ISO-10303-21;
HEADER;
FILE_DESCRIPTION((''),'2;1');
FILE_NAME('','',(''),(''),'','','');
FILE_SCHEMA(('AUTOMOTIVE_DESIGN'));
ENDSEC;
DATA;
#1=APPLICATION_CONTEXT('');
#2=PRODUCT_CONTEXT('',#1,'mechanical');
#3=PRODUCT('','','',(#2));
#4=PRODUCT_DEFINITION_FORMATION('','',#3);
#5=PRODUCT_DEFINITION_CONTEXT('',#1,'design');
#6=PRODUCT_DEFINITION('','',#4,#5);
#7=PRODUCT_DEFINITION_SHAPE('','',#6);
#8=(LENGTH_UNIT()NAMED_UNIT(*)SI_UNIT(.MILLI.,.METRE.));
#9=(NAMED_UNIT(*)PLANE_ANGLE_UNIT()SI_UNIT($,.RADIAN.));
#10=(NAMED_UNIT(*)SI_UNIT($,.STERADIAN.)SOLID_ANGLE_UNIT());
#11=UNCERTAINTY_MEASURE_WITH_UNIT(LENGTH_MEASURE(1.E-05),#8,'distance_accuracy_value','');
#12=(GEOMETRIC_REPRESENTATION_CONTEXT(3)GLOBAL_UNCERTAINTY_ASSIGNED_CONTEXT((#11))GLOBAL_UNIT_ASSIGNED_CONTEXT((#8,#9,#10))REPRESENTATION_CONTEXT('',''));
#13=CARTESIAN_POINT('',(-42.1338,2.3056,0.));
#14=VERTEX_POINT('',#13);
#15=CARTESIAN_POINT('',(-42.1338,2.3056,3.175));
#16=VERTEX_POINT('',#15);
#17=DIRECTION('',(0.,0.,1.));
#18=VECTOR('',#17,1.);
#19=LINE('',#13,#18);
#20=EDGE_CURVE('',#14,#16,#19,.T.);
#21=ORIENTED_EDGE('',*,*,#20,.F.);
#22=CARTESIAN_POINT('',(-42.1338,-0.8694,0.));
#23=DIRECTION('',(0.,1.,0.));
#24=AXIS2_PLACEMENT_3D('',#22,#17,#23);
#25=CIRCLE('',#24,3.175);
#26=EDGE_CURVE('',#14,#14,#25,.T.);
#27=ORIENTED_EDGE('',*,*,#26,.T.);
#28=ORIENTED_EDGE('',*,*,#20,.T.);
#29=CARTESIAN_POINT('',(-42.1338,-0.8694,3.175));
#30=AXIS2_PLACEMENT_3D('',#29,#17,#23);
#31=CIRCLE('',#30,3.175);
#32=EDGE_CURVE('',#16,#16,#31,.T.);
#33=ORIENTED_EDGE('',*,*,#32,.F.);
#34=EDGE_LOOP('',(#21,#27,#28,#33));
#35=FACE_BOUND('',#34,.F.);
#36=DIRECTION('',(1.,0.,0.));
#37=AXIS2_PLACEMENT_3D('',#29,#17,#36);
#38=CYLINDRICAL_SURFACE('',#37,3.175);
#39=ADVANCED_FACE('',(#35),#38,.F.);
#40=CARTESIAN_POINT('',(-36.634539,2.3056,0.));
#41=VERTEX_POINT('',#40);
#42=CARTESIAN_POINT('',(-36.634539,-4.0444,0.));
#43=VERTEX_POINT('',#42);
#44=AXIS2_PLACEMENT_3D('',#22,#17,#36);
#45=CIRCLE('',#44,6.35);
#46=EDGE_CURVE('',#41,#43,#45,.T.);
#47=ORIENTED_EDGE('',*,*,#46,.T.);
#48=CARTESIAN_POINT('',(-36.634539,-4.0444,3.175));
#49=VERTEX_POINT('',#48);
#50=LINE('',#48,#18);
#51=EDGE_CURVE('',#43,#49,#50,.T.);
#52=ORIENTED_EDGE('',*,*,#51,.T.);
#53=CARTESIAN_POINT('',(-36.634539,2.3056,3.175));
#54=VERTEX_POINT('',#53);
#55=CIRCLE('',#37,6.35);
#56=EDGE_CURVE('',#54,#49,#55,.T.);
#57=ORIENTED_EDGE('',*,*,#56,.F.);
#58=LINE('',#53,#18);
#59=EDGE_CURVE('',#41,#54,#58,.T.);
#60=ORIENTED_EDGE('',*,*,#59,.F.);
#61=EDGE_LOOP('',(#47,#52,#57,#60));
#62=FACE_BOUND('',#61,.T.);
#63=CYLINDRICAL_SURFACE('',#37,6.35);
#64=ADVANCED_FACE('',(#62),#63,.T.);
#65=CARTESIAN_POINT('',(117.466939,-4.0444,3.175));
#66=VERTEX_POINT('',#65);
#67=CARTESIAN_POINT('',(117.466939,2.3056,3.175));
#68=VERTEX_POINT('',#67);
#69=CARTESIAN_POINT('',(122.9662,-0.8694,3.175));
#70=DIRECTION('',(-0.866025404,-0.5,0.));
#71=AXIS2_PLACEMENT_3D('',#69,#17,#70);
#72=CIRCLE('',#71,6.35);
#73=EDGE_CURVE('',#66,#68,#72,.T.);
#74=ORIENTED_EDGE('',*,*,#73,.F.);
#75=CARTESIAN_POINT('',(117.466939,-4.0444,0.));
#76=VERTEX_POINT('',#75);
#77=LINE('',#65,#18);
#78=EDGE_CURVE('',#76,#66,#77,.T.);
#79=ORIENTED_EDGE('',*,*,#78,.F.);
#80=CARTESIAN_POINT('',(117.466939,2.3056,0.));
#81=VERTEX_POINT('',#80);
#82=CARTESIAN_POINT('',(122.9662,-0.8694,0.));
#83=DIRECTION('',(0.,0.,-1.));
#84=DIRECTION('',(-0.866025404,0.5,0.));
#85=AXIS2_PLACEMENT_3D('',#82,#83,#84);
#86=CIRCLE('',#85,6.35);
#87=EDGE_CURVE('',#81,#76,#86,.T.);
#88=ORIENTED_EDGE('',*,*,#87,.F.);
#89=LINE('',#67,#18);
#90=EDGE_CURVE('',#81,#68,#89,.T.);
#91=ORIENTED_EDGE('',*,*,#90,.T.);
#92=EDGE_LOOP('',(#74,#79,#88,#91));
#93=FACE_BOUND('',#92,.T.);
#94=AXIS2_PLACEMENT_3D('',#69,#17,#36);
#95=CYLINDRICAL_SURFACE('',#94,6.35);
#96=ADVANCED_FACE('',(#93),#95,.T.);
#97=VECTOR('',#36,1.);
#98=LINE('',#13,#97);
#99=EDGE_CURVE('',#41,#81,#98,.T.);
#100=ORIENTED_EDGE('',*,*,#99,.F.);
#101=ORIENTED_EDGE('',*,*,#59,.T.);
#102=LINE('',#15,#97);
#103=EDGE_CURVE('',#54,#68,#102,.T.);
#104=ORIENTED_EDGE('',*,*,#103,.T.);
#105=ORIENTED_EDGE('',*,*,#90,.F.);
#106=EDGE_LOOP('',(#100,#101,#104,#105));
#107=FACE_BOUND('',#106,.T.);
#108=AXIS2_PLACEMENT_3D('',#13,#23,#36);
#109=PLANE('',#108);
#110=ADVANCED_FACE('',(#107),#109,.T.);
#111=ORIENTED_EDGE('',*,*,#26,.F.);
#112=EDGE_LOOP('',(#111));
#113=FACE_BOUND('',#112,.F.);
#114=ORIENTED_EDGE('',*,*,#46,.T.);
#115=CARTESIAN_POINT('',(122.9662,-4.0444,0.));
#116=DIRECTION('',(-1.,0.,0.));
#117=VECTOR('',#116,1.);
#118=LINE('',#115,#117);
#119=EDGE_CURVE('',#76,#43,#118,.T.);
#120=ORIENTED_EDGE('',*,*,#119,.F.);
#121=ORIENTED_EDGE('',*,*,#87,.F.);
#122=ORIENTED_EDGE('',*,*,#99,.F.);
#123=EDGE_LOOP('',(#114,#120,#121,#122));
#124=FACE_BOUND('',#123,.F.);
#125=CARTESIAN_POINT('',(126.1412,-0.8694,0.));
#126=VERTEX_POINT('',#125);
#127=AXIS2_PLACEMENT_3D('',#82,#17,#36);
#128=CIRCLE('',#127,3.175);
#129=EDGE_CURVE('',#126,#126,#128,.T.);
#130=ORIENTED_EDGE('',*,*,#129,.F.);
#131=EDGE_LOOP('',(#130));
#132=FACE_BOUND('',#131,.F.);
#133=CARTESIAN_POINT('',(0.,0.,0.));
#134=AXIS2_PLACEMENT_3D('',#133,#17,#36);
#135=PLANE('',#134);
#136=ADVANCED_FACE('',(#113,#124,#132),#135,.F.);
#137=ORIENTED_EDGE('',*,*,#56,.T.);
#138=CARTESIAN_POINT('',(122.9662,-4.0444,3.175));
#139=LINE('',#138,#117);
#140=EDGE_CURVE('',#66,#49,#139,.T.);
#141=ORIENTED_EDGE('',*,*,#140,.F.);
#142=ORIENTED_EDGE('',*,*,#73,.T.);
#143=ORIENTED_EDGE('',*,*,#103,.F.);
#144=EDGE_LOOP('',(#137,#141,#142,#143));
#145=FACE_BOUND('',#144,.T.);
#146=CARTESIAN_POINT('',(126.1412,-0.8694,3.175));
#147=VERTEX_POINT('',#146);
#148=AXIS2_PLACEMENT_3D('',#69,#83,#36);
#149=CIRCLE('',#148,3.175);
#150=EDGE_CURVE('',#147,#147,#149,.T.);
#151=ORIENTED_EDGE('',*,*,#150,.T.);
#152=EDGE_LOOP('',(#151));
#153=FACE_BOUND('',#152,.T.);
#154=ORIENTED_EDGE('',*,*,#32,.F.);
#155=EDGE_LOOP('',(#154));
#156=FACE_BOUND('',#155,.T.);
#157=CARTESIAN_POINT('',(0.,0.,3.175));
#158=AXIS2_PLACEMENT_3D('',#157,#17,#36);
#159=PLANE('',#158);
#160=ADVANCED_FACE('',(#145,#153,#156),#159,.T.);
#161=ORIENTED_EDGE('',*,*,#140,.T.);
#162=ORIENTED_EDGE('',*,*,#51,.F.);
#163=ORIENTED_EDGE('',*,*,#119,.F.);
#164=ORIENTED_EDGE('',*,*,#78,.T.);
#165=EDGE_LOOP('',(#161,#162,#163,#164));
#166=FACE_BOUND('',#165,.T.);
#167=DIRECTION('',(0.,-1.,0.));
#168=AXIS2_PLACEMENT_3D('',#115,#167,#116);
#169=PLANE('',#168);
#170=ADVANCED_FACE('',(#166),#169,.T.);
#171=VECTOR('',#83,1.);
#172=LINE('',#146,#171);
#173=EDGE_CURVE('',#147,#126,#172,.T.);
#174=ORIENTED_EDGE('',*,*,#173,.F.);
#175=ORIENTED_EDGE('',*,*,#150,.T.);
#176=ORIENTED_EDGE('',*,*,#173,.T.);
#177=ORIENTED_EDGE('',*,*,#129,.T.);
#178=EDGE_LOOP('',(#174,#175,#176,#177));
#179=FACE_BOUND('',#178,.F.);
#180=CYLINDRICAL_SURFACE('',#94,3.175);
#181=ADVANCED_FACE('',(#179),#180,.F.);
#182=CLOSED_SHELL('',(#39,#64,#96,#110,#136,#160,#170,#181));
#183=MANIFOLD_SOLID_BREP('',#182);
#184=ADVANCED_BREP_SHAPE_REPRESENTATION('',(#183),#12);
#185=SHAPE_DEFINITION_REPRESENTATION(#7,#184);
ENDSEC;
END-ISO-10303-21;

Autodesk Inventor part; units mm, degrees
ref_plane "YZ Plane" through (0, 0, 0) normal (1, 0, 0) x (0, 1, 0)
ref_plane "XZ Plane" through (0, 0, 0) normal (0, 1, 0) x (-1, 0, 0)
ref_plane "XY Plane" through (0, 0, 0) normal (0, 0, 1) x (1, 0, 0)
sketch "Sketch1" plane through (0, 0, 0) normal (0, 0, 1) x (1, 0, 0)
  line L0 (-42.1338, 2.3056) -> (122.9662, 2.3056)
  line L1 (122.9662, 2.3056) -> (122.9662, -4.0444)
  line L2 (122.9662, -4.0444) -> (-42.1338, -4.0444)
  line L3 (-42.1338, -4.0444) -> (-42.1338, 2.3056)
  line L4 (-42.1338, 2.3056) -> (-42.1338, -0.8694)
  line L5 (-42.1338, -0.8694) -> (122.9662, -0.8694)
  circle A0 centre (-42.1338, -0.8694) radius 3.175
  circle A1 centre (122.9662, -0.8694) radius 3.175
  point P0 (0, 0)
  dimension "d0" = 165.1
  dimension "d1" = 6.35
extrude "Extrusion1" add sketch "Sketch1" along normal blind 3.175
sketch "Sketch2" plane through (0, 0, 3.175) normal (0, 0, 1) x (1, 0, 0)
  arc A0 (122.9662, -4.0444) -> (122.9662, 2.3056) centre (122.9662, -0.8694) ccw projected
  arc A1 (-42.1338, 2.3056) -> (-42.1338, -4.0444) centre (-42.1338, -0.8694) ccw projected
  circle A2 centre (-42.1338, -0.8694) radius 3.175
  circle A3 centre (122.9662, -0.8694) radius 6.35
  circle A4 centre (-42.1338, -0.8694) radius 6.35
  circle A5 centre (122.9662, -0.8694) radius 3.175
  point P0 (0, 0)
  dimension "d4" = 12.7
  dimension "d5" = 12.7
extrude "Extrusion2" cut sketch "Sketch2" against normal blind 3.175 contours A5 A0 | A2 A1
sketch "Sketch3" plane through (0, 0, 3.175) normal (0, 0, 1) x (1, 0, 0)
  arc A0 (122.9662, 2.3056) -> (122.9662, -4.0444) centre (122.9662, -0.8694) ccw projected
  arc A1 (-42.1338, -4.0444) -> (-42.1338, 2.3056) centre (-42.1338, -0.8694) ccw projected
  circle A2 centre (-42.1338, -0.8694) radius 3.175
  circle A3 centre (-42.1338, -0.8694) radius 6.35
  circle A4 centre (122.9662, -0.8694) radius 3.175
  circle A5 centre (122.9662, -0.8694) radius 6.35
  point P0 (0, 0)
  dimension "d8" = 12.7
  dimension "d9" = 12.7
extrude "Extrusion3" add sketch "Sketch3" against normal blind 3.175
properties part number "bar2"
